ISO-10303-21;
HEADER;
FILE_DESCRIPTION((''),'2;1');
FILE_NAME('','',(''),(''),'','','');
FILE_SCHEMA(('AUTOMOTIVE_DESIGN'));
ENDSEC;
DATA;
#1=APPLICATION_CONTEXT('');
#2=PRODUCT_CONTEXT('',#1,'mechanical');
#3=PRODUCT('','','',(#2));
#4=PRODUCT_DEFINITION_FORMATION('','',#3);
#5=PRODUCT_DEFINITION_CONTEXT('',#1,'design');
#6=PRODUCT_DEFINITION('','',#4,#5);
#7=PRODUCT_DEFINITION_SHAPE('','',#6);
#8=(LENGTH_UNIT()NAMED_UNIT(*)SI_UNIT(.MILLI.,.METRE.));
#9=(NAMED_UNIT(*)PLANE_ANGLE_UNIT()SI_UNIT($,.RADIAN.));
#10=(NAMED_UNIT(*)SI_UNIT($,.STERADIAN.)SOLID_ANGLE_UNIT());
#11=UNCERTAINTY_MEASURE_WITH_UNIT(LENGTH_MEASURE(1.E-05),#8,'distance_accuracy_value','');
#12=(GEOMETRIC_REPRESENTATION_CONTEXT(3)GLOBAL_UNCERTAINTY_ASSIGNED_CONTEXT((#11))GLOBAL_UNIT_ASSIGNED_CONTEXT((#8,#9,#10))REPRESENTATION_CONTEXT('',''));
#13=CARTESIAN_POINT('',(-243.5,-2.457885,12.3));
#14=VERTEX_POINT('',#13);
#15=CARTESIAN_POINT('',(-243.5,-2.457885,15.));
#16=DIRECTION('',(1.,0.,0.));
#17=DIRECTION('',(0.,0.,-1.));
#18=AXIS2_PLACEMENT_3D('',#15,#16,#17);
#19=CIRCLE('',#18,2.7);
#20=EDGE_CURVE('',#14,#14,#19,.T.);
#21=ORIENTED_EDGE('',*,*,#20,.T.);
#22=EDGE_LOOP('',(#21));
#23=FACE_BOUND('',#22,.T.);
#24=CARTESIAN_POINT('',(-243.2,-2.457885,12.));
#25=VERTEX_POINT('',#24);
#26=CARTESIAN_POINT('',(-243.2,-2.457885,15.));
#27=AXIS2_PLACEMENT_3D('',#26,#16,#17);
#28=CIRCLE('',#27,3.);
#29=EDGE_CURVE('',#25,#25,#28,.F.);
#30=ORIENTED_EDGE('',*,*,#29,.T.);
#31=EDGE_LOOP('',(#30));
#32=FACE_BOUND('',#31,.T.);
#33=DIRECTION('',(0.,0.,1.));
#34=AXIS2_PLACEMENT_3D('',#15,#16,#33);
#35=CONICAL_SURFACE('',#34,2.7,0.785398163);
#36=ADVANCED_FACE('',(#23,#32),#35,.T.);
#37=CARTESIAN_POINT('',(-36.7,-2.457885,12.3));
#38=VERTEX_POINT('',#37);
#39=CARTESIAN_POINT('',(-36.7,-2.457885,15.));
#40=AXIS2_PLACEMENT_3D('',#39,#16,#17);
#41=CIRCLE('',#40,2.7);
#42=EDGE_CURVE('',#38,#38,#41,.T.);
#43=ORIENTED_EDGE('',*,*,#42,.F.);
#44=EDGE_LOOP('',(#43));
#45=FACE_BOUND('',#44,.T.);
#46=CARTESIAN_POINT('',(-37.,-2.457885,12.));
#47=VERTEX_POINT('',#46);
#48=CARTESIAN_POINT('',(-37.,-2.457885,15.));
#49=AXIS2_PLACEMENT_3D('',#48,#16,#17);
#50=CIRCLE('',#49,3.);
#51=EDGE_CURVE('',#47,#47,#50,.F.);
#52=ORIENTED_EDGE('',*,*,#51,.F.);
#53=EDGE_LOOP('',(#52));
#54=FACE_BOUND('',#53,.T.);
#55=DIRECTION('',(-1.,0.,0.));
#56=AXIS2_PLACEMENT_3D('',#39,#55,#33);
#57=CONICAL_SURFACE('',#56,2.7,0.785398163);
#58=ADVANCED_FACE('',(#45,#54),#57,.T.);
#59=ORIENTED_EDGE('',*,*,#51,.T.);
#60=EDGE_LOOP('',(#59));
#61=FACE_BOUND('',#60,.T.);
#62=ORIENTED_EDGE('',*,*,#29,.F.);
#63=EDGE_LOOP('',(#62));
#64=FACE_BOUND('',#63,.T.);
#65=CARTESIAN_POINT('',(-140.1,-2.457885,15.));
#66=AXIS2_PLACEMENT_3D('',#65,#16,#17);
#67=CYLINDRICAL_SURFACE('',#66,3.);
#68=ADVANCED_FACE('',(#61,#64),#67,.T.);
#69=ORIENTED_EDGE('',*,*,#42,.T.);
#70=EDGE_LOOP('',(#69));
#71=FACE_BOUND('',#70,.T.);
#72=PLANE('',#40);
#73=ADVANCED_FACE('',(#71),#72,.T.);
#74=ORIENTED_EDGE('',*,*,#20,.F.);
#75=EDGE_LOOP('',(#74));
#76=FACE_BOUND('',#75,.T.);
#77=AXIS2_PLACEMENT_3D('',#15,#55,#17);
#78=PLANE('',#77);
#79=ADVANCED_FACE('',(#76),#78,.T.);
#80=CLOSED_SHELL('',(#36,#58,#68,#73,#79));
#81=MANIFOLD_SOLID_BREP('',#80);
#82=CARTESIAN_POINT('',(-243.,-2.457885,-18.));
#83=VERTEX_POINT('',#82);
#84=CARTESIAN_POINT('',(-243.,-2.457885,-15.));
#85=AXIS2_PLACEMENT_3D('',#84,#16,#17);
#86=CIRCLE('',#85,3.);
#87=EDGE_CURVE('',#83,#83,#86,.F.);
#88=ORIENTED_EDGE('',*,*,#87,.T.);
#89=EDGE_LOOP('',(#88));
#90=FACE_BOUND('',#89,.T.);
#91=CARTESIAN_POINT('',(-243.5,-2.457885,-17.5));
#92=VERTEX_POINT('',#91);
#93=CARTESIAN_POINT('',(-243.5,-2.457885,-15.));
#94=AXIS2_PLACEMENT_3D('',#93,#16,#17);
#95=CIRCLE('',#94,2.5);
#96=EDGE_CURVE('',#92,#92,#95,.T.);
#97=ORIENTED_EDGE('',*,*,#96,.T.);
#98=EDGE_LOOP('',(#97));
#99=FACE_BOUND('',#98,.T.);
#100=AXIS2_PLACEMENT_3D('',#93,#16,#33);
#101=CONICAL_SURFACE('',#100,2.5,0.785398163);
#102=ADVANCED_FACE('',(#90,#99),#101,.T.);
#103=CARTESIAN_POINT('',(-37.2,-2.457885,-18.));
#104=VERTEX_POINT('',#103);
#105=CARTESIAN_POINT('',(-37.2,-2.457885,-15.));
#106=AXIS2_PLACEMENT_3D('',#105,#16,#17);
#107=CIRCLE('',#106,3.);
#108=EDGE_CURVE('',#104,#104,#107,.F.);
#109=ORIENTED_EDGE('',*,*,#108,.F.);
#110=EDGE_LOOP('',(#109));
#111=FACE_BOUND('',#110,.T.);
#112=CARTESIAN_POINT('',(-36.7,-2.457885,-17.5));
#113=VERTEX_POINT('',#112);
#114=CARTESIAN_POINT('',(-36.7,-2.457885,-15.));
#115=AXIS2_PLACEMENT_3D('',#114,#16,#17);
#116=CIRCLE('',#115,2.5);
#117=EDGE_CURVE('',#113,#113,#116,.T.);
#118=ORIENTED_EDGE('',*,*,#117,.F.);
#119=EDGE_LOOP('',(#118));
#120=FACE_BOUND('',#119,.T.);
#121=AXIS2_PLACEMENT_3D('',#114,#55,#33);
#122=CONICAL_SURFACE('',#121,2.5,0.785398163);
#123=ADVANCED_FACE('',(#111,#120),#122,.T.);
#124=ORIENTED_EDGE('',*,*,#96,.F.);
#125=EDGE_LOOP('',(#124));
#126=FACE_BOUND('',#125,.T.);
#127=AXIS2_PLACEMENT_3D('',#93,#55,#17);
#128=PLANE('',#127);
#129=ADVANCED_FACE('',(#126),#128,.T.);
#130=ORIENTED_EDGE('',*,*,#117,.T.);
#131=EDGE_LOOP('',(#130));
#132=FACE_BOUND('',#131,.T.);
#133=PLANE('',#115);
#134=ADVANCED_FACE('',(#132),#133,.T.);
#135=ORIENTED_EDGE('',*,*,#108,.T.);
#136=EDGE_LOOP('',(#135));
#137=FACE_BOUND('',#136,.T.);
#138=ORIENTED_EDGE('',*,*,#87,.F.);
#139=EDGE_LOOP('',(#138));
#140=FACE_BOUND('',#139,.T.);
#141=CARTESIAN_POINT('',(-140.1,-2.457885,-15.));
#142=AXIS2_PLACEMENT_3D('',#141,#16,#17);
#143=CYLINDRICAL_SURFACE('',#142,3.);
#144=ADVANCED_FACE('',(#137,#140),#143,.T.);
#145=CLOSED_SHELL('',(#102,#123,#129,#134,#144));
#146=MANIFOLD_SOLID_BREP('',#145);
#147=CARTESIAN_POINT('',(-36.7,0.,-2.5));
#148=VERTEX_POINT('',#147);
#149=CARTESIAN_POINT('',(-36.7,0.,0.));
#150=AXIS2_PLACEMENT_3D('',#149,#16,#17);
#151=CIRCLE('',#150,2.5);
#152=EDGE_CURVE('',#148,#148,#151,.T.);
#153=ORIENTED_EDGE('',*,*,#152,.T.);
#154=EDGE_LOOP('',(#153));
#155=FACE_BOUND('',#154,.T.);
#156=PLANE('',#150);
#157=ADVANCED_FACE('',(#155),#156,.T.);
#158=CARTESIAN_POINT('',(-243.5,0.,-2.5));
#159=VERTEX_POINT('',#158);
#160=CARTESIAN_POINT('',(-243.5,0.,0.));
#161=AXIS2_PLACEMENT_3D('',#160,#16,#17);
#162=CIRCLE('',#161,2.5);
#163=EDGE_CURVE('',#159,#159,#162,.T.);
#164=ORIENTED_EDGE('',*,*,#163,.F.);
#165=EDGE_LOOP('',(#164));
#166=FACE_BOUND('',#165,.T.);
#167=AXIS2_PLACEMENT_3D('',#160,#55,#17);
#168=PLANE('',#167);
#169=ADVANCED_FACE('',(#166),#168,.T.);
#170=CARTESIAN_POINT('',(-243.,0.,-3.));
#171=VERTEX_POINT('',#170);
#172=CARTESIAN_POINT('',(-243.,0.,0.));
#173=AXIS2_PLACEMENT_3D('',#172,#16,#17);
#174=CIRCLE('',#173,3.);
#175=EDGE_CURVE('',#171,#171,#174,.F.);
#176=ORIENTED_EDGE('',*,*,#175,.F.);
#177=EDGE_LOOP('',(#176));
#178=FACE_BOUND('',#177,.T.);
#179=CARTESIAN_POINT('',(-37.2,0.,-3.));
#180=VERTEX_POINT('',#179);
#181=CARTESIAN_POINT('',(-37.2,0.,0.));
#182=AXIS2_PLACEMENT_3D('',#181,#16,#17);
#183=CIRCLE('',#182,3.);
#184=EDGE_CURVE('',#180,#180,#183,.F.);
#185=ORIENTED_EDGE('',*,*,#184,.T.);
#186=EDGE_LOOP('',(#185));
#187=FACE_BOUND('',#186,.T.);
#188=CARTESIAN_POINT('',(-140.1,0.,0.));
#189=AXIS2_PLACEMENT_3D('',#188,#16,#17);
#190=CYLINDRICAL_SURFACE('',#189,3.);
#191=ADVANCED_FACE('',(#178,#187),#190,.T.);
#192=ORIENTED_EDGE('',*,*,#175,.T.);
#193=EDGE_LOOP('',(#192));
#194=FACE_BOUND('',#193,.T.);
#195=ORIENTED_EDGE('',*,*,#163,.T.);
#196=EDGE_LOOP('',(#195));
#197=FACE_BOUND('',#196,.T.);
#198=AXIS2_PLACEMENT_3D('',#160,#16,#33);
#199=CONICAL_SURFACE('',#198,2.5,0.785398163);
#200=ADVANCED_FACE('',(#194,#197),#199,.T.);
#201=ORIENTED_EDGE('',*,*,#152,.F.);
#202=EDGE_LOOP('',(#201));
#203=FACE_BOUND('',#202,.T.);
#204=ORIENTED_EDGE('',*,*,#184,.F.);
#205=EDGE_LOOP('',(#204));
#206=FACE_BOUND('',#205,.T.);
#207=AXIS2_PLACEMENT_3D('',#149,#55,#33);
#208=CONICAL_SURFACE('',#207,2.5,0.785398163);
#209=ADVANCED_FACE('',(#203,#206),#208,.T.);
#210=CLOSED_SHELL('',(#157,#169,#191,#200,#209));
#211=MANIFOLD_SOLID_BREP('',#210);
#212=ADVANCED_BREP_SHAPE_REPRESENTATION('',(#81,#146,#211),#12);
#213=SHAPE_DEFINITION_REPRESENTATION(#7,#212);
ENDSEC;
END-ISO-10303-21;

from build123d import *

# Parameters (mm, degrees)
BOSS_EXTRUDE1_START   = -36.7
SKETCH2_R             = 3
BOSS_EXTRUDE1_DEPTH   = 103.4
BOSS_EXTRUDE1_2_DEPTH = 103.4
BOSS_EXTRUDE1_3_DEPTH = 103.4
CHAMFER1_SIZE         = 0.3
CHAMFER2_SIZE         = 0.5
CHAMFER3_SIZE         = 0.5


with BuildPart() as part:
    # Sketch2 → Boss-Extrude1 (new body)
    with BuildSketch(Plane(origin=(0, 0, 0), x_dir=(0, 0, -1), z_dir=(1, 0, 0)).offset(BOSS_EXTRUDE1_START)):
        with Locations((15, -2.457885097)):
            Circle(SKETCH2_R)
    extrude(amount=-BOSS_EXTRUDE1_DEPTH)

    # Chamfer3
    chamfer3_edges = [part.edges().sort_by_distance(p)[0] for p in [
        (-36.7, -2.457885097, -12),
    ]]
    chamfer(chamfer3_edges, length=CHAMFER3_SIZE)

    # Mirror9 3: part across plane


with BuildPart() as body_2:
    # Sketch2 → Boss-Extrude1 2 (new body)
    with BuildSketch(Plane(origin=(0, 0, 0), x_dir=(0, 0, -1), z_dir=(1, 0, 0)).offset(BOSS_EXTRUDE1_START)):
        with Locations((-15, -2.457885097)):
            Circle(SKETCH2_R)
    extrude(amount=-BOSS_EXTRUDE1_2_DEPTH)

    # Chamfer1
    chamfer1_edges = [body_2.edges().sort_by_distance(p)[0] for p in [
        (-36.7, -2.457885097, 18),
    ]]
    chamfer(chamfer1_edges, length=CHAMFER1_SIZE)

    # Mirror9 2: body 2 across plane


with BuildPart() as body_3:
    # Sketch2 → Boss-Extrude1 3 (new body)
    with BuildSketch(Plane(origin=(0, 0, 0), x_dir=(0, 0, -1), z_dir=(1, 0, 0)).offset(BOSS_EXTRUDE1_START)):
        Circle(SKETCH2_R)
    extrude(amount=-BOSS_EXTRUDE1_3_DEPTH)

    # Chamfer2
    chamfer2_edges = [body_3.edges().sort_by_distance(p)[0] for p in [
        (-36.7, 0, 3),
    ]]
    chamfer(chamfer2_edges, length=CHAMFER2_SIZE)

    # Mirror9: body 3 across plane


with BuildPart() as body_3_1:
    add(body_3.part)
    add(body_3.part.mirror(Plane(origin=(-140.1, 0, 0), x_dir=(0, 0, 1), z_dir=(1, 0, 0))))


with BuildPart() as body_2_1:
    add(body_2.part)
    add(body_2.part.mirror(Plane(origin=(-140.1, 0, 0), x_dir=(0, 0, 1), z_dir=(1, 0, 0))))


with BuildPart() as part_1:
    add(part.part)
    add(part.part.mirror(Plane(origin=(-140.1, 0, 0), x_dir=(0, 0, 1), z_dir=(1, 0, 0))))


solid = Compound([body_3_1.part, body_2_1.part, part_1.part])
